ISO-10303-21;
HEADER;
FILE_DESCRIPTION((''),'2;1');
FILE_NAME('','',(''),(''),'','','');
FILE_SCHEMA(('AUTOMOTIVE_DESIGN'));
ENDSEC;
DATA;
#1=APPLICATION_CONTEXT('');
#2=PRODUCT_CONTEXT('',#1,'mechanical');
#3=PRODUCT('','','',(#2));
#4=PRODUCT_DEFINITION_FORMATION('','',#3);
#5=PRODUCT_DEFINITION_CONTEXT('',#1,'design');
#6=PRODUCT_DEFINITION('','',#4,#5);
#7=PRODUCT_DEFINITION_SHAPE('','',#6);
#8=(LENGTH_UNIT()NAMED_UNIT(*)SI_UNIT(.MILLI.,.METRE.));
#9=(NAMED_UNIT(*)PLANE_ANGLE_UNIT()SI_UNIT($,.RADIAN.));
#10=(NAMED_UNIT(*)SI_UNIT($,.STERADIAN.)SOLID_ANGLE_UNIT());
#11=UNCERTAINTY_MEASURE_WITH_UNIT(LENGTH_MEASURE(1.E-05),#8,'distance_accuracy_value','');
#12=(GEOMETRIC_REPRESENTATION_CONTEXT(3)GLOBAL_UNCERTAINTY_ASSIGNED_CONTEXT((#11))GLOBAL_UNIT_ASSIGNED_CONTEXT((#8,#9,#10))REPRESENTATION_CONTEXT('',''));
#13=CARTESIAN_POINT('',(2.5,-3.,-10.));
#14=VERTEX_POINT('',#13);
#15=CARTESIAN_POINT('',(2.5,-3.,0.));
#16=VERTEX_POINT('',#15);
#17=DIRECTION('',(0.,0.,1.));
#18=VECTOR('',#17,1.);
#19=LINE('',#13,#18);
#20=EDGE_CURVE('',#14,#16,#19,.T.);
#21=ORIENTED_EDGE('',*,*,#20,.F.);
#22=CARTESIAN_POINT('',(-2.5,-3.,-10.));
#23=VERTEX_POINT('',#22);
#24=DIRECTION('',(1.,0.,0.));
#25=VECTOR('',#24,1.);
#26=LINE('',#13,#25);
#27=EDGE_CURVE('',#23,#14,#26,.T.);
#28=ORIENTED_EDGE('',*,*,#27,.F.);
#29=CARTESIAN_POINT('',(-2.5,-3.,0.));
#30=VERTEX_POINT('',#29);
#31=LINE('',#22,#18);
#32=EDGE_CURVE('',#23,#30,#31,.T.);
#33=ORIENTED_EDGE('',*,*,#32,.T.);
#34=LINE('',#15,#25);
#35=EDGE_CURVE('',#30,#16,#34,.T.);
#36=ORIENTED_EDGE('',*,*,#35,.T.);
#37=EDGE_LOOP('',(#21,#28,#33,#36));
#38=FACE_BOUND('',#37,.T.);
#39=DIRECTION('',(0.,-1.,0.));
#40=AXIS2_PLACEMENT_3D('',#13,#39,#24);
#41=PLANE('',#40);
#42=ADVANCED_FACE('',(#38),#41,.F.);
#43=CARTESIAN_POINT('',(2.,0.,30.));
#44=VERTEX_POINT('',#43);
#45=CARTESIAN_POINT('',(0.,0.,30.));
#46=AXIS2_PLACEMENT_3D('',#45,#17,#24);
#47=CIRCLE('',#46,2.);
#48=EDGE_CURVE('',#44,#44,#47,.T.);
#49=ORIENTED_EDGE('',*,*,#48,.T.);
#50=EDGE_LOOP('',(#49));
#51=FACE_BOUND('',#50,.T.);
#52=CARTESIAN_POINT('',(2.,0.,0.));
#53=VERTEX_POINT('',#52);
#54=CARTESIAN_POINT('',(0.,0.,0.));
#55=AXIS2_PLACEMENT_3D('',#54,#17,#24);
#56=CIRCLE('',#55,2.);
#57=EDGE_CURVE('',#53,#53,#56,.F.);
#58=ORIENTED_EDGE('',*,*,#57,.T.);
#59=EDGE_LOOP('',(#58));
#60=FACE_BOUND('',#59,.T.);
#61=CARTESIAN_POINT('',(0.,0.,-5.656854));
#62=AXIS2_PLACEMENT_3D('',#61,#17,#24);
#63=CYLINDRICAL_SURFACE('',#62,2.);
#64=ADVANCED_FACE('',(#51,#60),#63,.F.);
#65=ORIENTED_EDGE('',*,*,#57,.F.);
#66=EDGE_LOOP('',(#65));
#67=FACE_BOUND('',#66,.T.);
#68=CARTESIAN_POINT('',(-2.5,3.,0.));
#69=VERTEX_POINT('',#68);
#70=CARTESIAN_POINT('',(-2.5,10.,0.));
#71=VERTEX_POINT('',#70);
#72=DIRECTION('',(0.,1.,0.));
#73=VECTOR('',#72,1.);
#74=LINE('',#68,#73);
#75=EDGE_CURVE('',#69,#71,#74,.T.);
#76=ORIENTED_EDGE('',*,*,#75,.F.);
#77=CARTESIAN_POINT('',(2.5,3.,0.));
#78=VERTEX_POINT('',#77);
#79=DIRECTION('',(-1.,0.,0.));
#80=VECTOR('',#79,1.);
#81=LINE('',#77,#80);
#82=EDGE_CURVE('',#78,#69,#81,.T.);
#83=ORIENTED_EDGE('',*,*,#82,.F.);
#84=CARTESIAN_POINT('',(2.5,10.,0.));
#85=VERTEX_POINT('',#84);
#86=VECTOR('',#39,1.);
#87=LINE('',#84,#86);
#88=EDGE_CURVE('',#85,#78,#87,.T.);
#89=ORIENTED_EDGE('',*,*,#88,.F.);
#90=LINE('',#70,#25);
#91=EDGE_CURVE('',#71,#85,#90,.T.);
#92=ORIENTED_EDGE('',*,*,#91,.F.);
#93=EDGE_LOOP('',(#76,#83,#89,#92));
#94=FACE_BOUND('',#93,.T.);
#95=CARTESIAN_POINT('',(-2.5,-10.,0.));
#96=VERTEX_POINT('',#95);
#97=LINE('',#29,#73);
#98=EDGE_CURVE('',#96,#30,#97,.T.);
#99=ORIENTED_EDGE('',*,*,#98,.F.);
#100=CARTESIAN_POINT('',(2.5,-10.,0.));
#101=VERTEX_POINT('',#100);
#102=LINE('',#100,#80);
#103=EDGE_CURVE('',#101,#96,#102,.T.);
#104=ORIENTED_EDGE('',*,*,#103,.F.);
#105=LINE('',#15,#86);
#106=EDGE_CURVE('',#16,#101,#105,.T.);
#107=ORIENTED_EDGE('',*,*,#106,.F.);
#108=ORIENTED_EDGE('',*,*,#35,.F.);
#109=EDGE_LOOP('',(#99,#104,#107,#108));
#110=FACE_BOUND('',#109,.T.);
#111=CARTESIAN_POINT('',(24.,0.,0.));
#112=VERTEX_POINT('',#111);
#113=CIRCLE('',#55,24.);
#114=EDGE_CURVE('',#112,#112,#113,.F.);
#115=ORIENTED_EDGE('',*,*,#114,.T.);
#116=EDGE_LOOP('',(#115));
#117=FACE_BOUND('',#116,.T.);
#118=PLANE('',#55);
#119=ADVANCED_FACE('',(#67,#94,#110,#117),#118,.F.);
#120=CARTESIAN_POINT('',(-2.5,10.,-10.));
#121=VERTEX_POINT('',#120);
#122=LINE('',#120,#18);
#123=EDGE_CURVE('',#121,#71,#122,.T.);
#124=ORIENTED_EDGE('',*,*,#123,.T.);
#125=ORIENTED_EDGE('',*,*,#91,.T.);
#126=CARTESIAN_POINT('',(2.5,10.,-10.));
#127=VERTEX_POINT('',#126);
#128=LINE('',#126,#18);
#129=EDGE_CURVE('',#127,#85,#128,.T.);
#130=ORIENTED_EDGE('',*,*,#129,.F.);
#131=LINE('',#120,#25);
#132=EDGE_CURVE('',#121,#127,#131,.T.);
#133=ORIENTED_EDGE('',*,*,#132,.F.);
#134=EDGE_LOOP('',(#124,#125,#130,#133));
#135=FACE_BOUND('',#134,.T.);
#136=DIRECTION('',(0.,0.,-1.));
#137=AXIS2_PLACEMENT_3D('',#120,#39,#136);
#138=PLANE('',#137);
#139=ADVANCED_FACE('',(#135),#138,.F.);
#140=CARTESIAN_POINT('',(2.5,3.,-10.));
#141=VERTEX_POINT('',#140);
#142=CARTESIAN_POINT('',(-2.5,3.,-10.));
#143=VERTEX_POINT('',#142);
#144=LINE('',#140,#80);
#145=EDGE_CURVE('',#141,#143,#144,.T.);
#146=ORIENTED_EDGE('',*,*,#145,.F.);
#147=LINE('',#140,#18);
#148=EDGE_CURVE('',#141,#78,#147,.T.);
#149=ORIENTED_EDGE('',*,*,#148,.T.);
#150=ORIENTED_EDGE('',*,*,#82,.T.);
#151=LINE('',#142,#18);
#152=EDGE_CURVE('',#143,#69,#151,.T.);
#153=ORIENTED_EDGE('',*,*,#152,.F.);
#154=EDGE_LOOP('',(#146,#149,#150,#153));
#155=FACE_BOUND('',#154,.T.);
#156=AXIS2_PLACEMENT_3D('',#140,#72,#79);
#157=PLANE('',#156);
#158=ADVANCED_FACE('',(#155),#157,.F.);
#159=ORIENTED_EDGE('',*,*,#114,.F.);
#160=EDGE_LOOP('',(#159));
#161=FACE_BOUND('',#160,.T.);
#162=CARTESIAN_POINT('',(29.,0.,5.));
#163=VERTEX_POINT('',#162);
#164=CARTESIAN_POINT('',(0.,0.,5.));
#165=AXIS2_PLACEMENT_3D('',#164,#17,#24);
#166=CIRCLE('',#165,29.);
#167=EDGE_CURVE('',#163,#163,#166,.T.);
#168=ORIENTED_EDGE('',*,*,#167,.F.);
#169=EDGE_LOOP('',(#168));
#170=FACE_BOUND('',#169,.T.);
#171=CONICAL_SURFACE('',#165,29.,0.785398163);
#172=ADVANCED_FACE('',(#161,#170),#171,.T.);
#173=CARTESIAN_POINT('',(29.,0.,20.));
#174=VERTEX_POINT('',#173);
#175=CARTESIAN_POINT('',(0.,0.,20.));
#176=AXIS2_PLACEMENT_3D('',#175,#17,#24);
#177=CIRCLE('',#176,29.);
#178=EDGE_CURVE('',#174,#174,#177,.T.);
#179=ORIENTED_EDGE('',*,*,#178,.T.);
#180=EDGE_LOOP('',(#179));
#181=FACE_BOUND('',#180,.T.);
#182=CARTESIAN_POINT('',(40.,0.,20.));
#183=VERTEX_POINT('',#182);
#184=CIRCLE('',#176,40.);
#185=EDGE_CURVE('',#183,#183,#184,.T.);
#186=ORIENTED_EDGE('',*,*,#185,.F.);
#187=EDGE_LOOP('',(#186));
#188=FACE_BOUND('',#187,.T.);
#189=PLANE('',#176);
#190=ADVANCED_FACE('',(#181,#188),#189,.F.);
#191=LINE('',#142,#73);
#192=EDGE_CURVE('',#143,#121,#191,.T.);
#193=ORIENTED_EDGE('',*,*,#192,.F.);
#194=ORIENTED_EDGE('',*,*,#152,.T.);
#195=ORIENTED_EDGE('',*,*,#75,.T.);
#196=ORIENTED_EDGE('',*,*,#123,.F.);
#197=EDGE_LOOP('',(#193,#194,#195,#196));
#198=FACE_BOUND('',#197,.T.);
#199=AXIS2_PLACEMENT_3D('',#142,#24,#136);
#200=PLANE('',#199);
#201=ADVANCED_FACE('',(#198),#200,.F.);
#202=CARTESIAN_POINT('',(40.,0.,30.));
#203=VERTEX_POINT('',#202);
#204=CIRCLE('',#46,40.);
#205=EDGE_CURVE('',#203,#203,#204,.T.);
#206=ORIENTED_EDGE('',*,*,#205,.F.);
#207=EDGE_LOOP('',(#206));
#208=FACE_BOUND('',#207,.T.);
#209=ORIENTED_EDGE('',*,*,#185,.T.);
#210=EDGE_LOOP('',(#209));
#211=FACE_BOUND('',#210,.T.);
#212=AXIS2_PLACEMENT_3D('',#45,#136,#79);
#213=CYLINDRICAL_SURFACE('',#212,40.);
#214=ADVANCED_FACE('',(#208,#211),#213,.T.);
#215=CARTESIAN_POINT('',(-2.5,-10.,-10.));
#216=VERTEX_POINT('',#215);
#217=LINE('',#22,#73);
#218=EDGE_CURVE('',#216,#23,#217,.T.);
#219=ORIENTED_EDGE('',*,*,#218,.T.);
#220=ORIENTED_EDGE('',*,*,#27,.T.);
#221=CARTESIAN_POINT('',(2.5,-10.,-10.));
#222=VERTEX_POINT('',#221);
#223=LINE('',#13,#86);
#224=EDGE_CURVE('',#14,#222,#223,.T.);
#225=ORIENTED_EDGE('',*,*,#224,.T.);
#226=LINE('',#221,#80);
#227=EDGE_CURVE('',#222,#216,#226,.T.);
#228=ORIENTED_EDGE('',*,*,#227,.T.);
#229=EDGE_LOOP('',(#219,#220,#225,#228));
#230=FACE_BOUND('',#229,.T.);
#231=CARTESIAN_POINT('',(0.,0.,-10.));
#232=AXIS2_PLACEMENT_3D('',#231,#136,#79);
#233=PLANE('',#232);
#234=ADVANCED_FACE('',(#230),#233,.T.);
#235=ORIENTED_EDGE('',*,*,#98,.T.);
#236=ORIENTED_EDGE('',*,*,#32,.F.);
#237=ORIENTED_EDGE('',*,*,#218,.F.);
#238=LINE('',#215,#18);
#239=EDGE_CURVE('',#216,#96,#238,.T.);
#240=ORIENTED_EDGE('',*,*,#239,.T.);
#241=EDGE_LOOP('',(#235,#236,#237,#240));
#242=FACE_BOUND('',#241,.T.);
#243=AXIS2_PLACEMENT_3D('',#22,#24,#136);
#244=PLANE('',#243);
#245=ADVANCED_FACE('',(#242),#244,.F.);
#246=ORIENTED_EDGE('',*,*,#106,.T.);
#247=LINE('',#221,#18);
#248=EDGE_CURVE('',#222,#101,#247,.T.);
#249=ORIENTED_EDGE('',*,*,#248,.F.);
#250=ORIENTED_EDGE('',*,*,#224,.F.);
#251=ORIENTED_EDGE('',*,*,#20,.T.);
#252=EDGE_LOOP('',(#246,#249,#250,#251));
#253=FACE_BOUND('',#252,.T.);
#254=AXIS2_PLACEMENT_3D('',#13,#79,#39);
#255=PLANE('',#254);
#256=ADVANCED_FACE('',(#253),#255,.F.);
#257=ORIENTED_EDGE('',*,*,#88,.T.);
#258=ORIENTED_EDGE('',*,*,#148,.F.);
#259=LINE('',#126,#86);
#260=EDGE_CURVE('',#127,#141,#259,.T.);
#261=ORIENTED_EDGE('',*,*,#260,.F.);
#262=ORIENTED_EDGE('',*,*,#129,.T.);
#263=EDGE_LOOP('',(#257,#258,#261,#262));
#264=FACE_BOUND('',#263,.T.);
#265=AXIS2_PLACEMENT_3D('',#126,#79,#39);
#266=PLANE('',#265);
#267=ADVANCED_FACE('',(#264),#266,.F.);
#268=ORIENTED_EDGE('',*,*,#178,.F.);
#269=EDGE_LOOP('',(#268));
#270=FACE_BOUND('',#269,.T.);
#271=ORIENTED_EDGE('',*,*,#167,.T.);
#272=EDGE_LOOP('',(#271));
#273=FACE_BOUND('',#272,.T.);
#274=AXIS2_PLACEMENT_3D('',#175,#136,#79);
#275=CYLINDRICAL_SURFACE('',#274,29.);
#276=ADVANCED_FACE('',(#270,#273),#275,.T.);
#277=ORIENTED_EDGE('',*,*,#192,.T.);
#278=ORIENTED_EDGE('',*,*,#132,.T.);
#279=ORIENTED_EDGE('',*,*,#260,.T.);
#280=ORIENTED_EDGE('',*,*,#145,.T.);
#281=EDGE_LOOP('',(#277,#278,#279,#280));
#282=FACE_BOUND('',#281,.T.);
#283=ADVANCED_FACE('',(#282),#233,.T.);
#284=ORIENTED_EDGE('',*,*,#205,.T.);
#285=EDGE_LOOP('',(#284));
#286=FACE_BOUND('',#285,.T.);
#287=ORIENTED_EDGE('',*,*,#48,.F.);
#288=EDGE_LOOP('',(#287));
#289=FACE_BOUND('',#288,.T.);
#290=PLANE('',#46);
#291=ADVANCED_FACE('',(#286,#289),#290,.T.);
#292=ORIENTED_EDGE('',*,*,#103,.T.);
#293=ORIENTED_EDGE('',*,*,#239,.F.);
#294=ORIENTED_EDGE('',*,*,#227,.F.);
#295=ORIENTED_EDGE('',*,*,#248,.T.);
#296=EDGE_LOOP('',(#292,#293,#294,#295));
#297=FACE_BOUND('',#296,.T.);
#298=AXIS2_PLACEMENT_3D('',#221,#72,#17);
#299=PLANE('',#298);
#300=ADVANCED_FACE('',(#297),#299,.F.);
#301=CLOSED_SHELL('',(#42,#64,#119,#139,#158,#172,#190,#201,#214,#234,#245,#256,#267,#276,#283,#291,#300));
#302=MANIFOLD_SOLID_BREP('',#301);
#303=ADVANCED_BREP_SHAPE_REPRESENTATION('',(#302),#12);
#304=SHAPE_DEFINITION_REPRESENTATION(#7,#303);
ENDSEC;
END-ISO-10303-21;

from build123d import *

# Parameters (mm, degrees)
ESQUISSE1_R             = 29
BOSS_EXTRU_1_DEPTH      = 20
ESQUISSE2_R             = 40
BOSS_EXTRU_2_DEPTH      = 10
CHANFREIN1_SIZE         = 5
ESQUISSE3_R             = 2
ENL_V_MAT_EXTRU_1_DEPTH = 30
ESQUISSE4_W             = 5
ESQUISSE4_H             = 7
BOSS_EXTRU_4_DEPTH      = 10


with BuildPart() as part:
    # Esquisse1 → Boss.-Extru.1 (new body)
    with BuildSketch(Plane.XY):
        Circle(ESQUISSE1_R)
    extrude(amount=BOSS_EXTRU_1_DEPTH)

    # Esquisse2 → Boss.-Extru.2 (add)
    with BuildSketch(Plane.XY.offset(20)):
        Circle(ESQUISSE2_R)
    extrude(amount=BOSS_EXTRU_2_DEPTH)

    # Chanfrein1
    chanfrein1_edges = [part.edges().sort_by_distance(p)[0] for p in [
        (-29, 0, 0),
    ]]
    chamfer(chanfrein1_edges, length=CHANFREIN1_SIZE)

    # Esquisse3 → Enlèv. mat.-Extru.1 (cut)
    with BuildSketch(Plane.XY.offset(30)):
        Circle(ESQUISSE3_R)
    extrude(amount=-ENL_V_MAT_EXTRU_1_DEPTH, mode=Mode.SUBTRACT)

    # Esquisse4 → Boss.-Extru.4 (add)
    with BuildSketch(Plane(origin=(0, 0, 0), x_dir=(-1, 0, 0), z_dir=(0, 0, -1))):
        with Locations((0, 6.5)):
            Rectangle(ESQUISSE4_W, ESQUISSE4_H)
        with Locations((0, -6.5)):
            Rectangle(ESQUISSE4_W, ESQUISSE4_H)
    extrude(amount=BOSS_EXTRU_4_DEPTH)


solid = part.part
